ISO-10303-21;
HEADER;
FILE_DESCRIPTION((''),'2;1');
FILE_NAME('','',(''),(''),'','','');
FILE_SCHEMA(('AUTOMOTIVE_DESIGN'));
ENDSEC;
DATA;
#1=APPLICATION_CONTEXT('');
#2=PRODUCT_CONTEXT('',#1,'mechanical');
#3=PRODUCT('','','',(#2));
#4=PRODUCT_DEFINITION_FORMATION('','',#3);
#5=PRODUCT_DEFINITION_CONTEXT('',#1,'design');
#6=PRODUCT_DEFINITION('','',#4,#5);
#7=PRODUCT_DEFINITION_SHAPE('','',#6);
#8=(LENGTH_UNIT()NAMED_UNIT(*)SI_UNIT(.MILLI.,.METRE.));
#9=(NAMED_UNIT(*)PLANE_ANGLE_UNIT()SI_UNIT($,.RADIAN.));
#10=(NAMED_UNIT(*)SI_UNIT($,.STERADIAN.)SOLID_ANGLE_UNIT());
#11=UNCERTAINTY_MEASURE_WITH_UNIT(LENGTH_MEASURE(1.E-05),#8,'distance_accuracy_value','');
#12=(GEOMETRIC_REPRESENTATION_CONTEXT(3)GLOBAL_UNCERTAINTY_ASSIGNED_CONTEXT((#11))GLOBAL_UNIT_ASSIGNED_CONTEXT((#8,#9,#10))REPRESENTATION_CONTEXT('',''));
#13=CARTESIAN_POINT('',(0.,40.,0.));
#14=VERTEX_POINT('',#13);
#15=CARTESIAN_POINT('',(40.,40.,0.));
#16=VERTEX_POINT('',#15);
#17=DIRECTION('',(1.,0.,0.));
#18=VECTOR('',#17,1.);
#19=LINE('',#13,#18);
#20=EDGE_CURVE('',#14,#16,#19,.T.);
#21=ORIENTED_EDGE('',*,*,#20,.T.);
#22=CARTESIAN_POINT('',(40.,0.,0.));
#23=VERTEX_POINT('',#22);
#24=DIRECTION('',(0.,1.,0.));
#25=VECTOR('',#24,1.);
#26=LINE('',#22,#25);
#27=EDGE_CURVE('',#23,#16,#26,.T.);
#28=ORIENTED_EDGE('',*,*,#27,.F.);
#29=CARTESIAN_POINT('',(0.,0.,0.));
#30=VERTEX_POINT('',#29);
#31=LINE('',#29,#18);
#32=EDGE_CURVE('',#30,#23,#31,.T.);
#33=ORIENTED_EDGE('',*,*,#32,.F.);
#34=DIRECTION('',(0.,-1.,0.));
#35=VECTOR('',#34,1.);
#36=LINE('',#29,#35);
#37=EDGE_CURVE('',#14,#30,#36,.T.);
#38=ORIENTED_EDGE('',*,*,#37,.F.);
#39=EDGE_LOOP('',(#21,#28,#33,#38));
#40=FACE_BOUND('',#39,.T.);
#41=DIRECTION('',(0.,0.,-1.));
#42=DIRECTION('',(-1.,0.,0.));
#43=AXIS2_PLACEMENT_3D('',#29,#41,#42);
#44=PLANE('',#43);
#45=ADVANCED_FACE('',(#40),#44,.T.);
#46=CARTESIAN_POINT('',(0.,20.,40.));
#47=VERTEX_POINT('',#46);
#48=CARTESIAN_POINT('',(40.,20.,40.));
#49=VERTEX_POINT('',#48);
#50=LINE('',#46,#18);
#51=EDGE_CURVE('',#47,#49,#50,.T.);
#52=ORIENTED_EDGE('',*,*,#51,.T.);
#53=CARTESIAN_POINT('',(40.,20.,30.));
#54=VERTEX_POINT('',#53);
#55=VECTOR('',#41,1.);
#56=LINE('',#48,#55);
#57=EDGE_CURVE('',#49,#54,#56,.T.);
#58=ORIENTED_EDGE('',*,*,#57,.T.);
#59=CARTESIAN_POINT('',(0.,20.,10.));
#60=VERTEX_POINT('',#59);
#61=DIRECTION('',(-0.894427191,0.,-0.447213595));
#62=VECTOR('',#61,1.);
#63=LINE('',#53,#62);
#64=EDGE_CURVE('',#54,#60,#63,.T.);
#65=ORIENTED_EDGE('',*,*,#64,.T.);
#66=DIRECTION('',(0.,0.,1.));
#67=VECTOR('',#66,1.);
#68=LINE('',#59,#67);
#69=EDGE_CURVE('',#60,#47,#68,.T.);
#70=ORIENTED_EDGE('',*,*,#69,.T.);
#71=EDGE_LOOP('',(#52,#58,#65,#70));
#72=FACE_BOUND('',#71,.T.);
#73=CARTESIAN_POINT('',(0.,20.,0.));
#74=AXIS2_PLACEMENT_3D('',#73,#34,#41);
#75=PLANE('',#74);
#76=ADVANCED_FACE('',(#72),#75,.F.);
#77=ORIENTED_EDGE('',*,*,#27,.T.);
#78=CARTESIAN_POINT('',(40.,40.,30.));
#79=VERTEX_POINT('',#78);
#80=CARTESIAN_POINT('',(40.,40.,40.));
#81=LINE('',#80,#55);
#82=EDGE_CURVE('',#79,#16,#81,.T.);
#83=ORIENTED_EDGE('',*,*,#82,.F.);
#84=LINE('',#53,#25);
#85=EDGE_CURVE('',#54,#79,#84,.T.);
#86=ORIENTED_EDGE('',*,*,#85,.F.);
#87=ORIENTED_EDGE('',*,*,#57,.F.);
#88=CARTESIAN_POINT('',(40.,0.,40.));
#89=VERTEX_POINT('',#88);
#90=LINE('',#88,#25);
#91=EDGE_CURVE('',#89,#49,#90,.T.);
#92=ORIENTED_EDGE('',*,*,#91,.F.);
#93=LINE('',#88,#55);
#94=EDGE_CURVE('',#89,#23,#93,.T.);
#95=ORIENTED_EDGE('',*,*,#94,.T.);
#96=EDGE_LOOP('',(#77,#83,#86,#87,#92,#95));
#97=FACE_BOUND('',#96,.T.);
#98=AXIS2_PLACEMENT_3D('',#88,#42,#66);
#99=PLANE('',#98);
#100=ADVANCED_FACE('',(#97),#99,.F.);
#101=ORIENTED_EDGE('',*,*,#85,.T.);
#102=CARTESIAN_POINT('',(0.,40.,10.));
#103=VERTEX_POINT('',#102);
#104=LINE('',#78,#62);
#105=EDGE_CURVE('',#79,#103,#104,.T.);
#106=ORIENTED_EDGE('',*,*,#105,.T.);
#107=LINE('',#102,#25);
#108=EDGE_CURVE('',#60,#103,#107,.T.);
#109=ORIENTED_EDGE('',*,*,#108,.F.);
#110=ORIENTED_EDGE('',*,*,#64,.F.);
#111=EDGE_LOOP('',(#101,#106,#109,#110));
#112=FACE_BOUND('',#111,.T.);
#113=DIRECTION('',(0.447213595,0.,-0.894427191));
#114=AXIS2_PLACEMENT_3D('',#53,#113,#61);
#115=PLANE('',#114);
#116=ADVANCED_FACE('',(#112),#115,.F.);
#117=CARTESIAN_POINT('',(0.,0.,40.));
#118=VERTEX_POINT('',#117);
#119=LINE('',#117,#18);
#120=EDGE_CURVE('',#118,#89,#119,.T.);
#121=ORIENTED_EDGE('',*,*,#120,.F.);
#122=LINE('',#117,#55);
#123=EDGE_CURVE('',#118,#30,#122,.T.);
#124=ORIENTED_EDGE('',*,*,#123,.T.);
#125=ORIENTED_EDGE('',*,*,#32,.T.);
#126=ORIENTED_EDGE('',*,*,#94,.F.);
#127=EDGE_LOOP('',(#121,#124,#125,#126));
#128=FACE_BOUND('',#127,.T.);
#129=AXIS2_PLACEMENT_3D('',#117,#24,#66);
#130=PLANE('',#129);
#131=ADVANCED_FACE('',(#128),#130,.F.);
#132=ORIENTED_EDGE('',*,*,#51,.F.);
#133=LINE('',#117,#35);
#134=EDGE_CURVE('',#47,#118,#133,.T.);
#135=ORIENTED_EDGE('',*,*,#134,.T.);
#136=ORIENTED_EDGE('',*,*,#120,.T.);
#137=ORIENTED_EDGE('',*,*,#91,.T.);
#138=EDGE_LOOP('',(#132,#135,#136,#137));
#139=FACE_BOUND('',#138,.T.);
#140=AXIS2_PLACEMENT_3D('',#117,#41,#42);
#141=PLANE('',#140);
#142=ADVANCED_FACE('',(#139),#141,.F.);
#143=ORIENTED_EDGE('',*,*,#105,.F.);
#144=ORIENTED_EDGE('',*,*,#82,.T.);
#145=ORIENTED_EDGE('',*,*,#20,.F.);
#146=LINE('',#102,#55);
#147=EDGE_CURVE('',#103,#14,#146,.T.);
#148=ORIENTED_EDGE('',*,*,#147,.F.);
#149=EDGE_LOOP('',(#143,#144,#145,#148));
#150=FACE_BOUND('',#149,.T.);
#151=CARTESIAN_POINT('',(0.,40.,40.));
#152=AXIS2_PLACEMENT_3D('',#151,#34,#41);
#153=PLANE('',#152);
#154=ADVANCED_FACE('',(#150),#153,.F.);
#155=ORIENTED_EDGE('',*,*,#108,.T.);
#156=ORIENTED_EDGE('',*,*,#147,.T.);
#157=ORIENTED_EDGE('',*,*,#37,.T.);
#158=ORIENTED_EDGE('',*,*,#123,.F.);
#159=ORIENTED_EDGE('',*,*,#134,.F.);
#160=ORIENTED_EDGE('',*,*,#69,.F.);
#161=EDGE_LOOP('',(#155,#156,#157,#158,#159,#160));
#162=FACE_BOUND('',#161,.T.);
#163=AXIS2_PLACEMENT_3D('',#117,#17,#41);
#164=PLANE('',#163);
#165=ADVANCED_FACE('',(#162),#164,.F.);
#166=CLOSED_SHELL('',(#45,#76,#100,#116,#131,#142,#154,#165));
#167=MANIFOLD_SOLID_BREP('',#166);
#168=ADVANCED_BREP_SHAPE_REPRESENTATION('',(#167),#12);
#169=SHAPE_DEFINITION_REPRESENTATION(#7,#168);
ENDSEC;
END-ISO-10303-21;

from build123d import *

# Parameters (mm, degrees)
SKETCH1_W           = 40
SKETCH1_H           = 40
BOSS_EXTRUDE1_DEPTH = 40
SKETCH2_W           = 10
SKETCH2_H           = 20
CUT_EXTRUDE1_DEPTH  = 40
CUT_EXTRUDE2_DEPTH  = 20
SKETCH4_W           = 40
SKETCH4_H           = 20
BOSS_EXTRUDE2_DEPTH = 10


with BuildPart() as part:
    # Sketch1 → Boss-Extrude1 (new body)
    with BuildSketch(Plane.XY):
        with Locations((20, 20)):
            Rectangle(SKETCH1_W, SKETCH1_H)
    extrude(amount=BOSS_EXTRUDE1_DEPTH)

    # Sketch2 → Cut-Extrude1 (cut)
    with BuildSketch(Plane.ZY):
        with Locations((5, 30)):
            Rectangle(SKETCH2_W, SKETCH2_H)
    extrude(amount=-CUT_EXTRUDE1_DEPTH, mode=Mode.SUBTRACT)

    # Sketch3 → Cut-Extrude2 (cut)
    with BuildSketch(Plane(origin=(0, 40, 0), x_dir=(1, 0, 0), z_dir=(0, 1, 0))):
        Polygon((40, -30), (0, -10), (0, -40), (40, -40), align=None)
    extrude(amount=-CUT_EXTRUDE2_DEPTH, mode=Mode.SUBTRACT)

    # Sketch4 → Boss-Extrude2 (add)
    with BuildSketch(Plane(origin=(0, 0, 0), x_dir=(-1, 0, 0), z_dir=(0, 0, -1))):
        with Locations((-20, 30)):
            Rectangle(SKETCH4_W, SKETCH4_H)
    extrude(amount=-BOSS_EXTRUDE2_DEPTH)


solid = part.part
